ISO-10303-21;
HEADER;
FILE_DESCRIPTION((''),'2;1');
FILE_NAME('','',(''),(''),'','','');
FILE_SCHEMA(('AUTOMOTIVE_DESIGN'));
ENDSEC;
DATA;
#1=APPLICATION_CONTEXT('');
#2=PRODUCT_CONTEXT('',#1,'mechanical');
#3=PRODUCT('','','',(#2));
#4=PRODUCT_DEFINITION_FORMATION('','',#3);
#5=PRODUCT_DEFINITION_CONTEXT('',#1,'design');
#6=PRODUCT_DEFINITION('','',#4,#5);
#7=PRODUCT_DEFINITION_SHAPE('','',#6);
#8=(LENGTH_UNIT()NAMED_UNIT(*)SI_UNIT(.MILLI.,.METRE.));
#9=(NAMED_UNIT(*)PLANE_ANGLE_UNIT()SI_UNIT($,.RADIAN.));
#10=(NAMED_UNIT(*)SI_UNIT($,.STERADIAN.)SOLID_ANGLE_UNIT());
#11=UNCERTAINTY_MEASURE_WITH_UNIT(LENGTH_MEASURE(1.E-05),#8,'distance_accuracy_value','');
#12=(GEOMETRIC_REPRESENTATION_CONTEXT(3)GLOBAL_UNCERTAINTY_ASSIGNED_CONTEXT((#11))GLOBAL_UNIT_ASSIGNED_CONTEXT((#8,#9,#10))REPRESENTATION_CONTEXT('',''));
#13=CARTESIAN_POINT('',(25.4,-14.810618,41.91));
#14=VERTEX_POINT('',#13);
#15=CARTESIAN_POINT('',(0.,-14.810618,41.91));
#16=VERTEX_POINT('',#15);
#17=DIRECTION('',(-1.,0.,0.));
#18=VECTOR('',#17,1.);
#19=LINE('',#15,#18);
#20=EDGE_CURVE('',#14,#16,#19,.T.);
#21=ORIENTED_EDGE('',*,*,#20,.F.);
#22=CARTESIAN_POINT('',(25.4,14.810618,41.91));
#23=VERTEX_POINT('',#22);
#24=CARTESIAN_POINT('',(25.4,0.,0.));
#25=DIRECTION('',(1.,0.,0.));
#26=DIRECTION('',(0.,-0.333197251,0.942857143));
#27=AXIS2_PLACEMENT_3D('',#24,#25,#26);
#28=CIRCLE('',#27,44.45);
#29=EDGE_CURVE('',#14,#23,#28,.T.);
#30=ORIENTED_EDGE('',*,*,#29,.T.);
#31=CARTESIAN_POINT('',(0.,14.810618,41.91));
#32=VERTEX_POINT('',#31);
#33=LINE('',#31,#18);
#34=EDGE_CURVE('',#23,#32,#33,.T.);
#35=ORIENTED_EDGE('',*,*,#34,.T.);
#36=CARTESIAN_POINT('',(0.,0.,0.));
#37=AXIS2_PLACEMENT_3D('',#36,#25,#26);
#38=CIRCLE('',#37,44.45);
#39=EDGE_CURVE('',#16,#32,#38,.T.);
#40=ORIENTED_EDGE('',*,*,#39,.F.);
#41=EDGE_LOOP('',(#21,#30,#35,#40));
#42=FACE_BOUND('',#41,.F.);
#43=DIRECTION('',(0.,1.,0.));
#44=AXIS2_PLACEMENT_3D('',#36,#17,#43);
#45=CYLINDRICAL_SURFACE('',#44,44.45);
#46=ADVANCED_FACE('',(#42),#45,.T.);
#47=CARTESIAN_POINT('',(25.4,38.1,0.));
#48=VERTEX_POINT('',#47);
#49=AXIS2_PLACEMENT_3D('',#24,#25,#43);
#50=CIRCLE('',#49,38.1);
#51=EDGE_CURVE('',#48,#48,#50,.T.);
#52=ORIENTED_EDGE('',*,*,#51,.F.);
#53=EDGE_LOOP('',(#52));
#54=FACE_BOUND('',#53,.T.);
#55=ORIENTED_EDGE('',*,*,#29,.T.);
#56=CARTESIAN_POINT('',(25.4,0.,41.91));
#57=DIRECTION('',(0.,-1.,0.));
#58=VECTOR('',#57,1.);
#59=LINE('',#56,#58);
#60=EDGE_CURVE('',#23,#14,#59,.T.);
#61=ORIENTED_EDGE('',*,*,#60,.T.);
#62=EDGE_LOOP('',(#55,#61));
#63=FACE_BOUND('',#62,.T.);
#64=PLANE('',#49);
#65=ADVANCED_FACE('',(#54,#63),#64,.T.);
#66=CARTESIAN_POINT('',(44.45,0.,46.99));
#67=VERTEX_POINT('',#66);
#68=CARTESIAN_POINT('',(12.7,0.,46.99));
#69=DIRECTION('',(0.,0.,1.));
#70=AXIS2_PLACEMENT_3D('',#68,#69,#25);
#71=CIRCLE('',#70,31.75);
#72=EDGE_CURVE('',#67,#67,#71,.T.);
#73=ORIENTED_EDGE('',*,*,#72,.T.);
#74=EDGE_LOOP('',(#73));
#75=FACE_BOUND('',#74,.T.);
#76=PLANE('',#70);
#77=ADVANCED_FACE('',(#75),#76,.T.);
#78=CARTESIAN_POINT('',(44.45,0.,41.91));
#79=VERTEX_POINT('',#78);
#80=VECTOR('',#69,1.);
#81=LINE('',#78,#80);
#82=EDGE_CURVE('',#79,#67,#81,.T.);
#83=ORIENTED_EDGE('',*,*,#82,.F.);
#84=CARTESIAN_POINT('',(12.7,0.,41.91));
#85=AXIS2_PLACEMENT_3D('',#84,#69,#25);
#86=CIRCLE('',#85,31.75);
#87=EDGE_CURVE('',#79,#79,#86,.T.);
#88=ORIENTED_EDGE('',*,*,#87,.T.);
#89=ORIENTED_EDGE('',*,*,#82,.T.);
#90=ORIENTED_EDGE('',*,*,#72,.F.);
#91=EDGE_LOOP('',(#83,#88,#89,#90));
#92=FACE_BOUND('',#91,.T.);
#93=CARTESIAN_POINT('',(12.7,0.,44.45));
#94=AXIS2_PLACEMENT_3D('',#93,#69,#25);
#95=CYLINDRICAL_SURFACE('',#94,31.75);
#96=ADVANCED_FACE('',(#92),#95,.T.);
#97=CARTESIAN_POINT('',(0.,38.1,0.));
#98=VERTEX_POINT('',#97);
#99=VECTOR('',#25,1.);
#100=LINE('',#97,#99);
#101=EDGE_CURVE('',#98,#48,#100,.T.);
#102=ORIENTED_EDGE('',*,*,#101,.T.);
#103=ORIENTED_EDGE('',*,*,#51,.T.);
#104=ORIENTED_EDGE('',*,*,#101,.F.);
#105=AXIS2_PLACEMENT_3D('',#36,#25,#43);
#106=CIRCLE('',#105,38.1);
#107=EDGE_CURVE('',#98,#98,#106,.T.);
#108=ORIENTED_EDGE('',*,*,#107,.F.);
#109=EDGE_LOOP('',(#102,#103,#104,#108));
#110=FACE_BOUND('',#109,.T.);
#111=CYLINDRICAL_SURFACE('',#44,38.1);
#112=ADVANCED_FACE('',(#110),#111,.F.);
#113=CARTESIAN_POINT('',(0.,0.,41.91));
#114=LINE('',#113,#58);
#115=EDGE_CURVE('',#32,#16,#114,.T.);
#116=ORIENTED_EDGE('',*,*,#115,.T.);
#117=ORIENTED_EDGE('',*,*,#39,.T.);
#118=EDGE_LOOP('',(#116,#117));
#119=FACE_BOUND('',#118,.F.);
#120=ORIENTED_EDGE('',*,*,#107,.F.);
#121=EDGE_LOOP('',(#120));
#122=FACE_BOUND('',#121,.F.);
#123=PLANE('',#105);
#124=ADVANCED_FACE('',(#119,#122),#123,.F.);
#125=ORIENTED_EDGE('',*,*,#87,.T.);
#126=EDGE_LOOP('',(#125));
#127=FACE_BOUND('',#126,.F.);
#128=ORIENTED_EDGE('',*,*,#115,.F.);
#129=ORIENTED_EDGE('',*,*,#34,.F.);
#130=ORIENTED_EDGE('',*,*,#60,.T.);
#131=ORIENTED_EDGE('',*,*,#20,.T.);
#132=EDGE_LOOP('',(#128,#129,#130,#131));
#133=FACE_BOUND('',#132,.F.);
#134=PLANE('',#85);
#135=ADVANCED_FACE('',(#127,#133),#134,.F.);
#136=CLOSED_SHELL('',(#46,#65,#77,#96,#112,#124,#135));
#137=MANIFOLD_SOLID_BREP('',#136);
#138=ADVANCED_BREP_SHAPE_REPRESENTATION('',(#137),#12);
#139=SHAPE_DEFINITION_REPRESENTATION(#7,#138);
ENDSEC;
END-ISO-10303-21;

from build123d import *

# Parameters (mm, degrees)
F0_R     = 44.45
F0_R_2   = 38.1
F1_DEPTH = 25.4
F3_R     = 31.75
F4_DEPTH = 2.54


with BuildPart() as f1:
    # F0 (on Right) → F1 (new body)
    with BuildSketch(Plane.YZ):
        Circle(F0_R)
        Circle(F0_R_2, mode=Mode.SUBTRACT)
    extrude(amount=F1_DEPTH)

    # F3 (on offset) → F4 (join, symmetric)
    with BuildSketch(Plane.XY.offset(44.45)):
        with Locations((12.7, 0)):
            Circle(F3_R)
    extrude(amount=F4_DEPTH, both=True)


solid = f1.part
